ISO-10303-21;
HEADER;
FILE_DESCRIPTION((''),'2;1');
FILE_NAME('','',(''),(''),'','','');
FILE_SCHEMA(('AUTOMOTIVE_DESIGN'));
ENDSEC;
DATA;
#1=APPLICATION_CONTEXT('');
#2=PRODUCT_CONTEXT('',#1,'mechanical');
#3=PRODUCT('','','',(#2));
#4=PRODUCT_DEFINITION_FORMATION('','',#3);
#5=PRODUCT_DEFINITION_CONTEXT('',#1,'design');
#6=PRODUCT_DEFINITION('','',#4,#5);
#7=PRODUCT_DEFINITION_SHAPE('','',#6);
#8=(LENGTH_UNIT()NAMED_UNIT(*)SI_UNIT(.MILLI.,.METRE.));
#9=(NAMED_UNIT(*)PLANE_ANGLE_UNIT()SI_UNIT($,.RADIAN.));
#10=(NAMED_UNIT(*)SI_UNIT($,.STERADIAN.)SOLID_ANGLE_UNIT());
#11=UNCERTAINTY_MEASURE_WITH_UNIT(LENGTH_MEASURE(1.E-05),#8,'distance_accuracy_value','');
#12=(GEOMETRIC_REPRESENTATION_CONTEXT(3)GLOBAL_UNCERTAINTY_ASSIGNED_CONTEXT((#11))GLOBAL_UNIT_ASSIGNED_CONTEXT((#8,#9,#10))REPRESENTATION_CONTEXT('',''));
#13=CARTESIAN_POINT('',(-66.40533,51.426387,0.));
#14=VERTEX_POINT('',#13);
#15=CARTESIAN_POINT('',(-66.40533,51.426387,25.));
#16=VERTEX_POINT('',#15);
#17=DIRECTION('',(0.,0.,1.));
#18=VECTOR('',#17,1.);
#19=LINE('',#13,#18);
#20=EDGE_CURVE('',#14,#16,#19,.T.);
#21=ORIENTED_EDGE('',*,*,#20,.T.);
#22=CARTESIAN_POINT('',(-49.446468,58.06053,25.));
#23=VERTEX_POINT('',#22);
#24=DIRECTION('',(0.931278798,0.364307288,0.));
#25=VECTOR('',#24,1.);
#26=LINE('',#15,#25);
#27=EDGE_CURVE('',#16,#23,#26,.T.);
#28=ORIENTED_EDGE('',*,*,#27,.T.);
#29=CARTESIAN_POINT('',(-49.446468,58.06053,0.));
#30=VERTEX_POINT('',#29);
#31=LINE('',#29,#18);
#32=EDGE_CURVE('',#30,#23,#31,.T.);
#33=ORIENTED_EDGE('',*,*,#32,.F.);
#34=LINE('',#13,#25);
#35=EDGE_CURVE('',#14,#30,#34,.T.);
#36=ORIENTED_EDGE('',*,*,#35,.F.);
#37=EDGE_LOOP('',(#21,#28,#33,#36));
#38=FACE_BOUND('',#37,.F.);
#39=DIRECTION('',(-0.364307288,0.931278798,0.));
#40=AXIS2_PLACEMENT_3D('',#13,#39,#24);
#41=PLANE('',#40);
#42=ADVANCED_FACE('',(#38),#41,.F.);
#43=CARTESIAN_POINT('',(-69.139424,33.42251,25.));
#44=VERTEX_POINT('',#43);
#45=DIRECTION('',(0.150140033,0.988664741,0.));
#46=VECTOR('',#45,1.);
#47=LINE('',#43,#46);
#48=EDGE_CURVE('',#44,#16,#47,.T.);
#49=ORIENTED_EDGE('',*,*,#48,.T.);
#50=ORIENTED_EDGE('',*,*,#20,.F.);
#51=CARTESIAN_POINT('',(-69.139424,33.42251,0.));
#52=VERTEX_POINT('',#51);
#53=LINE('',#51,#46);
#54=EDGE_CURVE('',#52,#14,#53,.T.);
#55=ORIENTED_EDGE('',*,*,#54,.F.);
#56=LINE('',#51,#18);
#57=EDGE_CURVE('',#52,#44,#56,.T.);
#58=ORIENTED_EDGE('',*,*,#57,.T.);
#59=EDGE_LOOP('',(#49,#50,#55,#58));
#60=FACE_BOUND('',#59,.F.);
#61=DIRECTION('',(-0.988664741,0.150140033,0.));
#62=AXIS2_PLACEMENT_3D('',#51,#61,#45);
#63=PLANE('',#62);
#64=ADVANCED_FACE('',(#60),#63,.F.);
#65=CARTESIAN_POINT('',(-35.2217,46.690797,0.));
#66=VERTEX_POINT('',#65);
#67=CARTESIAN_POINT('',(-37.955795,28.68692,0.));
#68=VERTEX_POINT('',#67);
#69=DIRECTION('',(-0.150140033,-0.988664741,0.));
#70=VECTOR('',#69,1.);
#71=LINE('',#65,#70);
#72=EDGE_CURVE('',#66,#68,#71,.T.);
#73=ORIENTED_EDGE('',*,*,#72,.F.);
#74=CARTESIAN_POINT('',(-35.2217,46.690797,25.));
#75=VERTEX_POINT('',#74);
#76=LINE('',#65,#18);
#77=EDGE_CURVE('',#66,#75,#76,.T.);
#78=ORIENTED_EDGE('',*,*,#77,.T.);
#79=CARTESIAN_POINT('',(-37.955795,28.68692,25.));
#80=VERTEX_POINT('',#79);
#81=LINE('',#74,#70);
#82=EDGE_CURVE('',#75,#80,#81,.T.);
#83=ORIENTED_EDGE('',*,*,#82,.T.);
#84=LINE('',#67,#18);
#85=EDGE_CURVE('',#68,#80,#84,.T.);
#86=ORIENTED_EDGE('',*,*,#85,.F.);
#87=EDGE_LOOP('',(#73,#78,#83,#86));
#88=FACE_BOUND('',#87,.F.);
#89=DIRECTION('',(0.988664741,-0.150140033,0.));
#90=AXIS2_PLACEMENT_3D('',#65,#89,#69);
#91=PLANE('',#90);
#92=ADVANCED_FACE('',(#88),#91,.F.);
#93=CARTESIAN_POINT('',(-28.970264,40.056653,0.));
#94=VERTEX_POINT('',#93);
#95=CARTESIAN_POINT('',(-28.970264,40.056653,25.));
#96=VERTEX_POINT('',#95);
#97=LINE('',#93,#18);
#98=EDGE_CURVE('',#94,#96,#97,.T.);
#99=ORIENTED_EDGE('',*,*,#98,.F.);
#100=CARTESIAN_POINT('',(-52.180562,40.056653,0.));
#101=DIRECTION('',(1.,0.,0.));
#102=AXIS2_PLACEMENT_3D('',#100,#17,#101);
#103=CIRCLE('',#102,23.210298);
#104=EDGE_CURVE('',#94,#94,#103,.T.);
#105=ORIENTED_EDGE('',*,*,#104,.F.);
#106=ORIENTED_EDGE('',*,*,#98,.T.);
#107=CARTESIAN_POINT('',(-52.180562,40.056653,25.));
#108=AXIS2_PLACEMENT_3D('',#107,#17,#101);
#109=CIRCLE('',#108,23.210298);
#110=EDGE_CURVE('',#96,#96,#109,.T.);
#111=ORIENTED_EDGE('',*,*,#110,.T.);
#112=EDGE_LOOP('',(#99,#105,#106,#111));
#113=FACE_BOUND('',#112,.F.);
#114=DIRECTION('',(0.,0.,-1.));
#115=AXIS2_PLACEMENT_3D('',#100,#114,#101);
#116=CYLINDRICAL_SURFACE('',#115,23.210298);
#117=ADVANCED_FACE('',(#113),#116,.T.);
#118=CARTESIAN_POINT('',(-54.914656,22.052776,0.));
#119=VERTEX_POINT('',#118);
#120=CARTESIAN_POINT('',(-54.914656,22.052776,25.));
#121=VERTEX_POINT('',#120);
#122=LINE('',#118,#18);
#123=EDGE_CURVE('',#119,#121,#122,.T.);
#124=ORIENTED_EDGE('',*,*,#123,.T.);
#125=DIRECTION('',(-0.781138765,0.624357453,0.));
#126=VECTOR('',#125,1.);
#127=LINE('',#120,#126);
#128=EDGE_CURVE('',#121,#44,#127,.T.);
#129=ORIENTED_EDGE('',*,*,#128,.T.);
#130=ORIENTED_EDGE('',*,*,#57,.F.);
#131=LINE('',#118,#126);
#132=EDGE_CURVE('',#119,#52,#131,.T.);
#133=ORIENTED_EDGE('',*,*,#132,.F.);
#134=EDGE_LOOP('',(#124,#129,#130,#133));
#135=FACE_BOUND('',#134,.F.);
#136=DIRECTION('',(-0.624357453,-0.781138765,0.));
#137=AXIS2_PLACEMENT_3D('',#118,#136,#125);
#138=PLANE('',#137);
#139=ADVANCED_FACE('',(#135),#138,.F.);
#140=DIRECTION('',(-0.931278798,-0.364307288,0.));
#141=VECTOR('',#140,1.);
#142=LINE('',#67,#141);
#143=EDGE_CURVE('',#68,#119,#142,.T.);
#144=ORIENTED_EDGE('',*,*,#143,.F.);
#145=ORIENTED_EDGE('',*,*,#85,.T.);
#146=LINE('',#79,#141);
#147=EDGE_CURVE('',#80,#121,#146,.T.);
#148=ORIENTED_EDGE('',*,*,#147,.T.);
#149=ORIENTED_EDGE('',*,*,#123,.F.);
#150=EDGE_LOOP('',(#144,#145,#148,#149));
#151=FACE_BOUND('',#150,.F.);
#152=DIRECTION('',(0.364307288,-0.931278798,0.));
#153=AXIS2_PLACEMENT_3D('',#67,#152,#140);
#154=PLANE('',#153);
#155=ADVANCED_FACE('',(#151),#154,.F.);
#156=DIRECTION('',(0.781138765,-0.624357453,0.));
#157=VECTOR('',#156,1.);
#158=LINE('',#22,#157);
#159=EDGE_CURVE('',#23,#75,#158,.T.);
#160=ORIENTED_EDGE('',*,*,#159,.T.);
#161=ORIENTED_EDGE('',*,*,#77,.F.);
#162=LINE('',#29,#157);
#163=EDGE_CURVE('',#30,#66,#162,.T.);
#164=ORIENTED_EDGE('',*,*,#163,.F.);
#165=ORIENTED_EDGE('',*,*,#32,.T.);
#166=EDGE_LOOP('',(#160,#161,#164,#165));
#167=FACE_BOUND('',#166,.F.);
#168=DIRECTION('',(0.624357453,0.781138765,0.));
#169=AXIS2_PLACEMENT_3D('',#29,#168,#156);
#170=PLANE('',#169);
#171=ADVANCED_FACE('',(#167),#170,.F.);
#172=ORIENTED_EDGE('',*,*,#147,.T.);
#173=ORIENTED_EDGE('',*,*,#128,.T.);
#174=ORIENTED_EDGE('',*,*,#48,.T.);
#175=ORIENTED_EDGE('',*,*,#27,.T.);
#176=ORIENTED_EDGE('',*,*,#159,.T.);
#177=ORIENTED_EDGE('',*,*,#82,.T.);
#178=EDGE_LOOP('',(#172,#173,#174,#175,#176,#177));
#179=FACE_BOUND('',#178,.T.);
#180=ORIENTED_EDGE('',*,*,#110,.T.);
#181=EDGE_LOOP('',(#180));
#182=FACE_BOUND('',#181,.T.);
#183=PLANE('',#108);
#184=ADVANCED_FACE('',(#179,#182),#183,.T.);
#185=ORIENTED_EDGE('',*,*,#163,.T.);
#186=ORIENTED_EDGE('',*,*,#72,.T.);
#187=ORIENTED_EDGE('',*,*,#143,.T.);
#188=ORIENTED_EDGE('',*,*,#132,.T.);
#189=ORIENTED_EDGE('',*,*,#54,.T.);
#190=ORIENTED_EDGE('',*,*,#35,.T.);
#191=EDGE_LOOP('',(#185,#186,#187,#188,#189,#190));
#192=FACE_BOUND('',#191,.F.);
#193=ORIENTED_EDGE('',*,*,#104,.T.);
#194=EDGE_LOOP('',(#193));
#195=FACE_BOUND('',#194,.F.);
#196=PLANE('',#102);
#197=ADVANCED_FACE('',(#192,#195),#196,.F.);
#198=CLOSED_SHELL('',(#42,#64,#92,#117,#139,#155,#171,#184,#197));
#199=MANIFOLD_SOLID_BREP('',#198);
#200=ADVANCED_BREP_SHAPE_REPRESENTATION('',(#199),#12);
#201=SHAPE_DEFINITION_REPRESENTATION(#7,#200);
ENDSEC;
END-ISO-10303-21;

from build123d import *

# Parameters (mm, degrees)
F0_R     = 23.2102979376
F1_DEPTH = 25


with BuildPart() as f1:
    # F0 (on Top) → F1 (new body)
    with BuildSketch(Plane.XY):
        with Locations((-52.1805621684, 40.0566533208)):
            Circle(F0_R)
        with BuildLine():
            ThreePointArc((-35.2217002906, 46.6907966038), (-34.2858599457, 43.4322252204), (-33.970266913, 40.0566533208))
            ThreePointArc((-33.970266913, 40.0566533208), (-34.9955095005, 34.0326332268), (-37.9557946141, 28.6869197569))
            ThreePointArc((-37.9557946141, 28.6869197569), (-45.5464188854, 23.097791443), (-54.9146564918, 22.0527764739))
            ThreePointArc((-54.9146564918, 22.0527764739), (-63.5502957323, 25.8318857665), (-69.1394240461, 33.4225100378))
            ThreePointArc((-69.1394240461, 33.4225100378), (-70.1844390153, 42.7907476443), (-66.4053297227, 51.4263868847))
            ThreePointArc((-66.4053297227, 51.4263868847), (-58.8147054513, 57.0155151985), (-49.4464678449, 58.0605301677))
            ThreePointArc((-49.4464678449, 58.0605301677), (-40.8108286044, 54.2814208751), (-35.2217002906, 46.6907966038))
        make_face(mode=Mode.SUBTRACT)
        with BuildLine():
            Line((-49.4464678449, 58.0605301677), (-35.2217002906, 46.6907966038))
            ThreePointArc((-35.2217002906, 46.6907966038), (-40.8108286044, 54.2814208751), (-49.4464678449, 58.0605301677))
        make_face()
        with BuildLine():
            Line((-66.4053297227, 51.4263868847), (-49.4464678449, 58.0605301677))
            ThreePointArc((-49.4464678449, 58.0605301677), (-58.8147054513, 57.0155151985), (-66.4053297227, 51.4263868847))
        make_face()
        with BuildLine():
            ThreePointArc((-37.9557946141, 28.6869197569), (-34.9955095005, 34.0326332268), (-33.970266913, 40.0566533208))
            ThreePointArc((-33.970266913, 40.0566533208), (-34.2858599457, 43.4322252204), (-35.2217002906, 46.6907966038))
            Line((-35.2217002906, 46.6907966038), (-37.9557946141, 28.6869197569))
        make_face()
        with BuildLine():
            ThreePointArc((-54.9146564918, 22.0527764739), (-45.5464188854, 23.097791443), (-37.9557946141, 28.6869197569))
            Line((-37.9557946141, 28.6869197569), (-54.9146564918, 22.0527764739))
        make_face()
        with BuildLine():
            Line((-69.1394240461, 33.4225100378), (-66.4053297227, 51.4263868847))
            ThreePointArc((-66.4053297227, 51.4263868847), (-70.1844390153, 42.7907476443), (-69.1394240461, 33.4225100378))
        make_face()
        with BuildLine():
            ThreePointArc((-69.1394240461, 33.4225100378), (-63.5502957323, 25.8318857665), (-54.9146564918, 22.0527764739))
            Line((-54.9146564918, 22.0527764739), (-69.1394240461, 33.4225100378))
        make_face()
    extrude(amount=F1_DEPTH)


solid = f1.part
